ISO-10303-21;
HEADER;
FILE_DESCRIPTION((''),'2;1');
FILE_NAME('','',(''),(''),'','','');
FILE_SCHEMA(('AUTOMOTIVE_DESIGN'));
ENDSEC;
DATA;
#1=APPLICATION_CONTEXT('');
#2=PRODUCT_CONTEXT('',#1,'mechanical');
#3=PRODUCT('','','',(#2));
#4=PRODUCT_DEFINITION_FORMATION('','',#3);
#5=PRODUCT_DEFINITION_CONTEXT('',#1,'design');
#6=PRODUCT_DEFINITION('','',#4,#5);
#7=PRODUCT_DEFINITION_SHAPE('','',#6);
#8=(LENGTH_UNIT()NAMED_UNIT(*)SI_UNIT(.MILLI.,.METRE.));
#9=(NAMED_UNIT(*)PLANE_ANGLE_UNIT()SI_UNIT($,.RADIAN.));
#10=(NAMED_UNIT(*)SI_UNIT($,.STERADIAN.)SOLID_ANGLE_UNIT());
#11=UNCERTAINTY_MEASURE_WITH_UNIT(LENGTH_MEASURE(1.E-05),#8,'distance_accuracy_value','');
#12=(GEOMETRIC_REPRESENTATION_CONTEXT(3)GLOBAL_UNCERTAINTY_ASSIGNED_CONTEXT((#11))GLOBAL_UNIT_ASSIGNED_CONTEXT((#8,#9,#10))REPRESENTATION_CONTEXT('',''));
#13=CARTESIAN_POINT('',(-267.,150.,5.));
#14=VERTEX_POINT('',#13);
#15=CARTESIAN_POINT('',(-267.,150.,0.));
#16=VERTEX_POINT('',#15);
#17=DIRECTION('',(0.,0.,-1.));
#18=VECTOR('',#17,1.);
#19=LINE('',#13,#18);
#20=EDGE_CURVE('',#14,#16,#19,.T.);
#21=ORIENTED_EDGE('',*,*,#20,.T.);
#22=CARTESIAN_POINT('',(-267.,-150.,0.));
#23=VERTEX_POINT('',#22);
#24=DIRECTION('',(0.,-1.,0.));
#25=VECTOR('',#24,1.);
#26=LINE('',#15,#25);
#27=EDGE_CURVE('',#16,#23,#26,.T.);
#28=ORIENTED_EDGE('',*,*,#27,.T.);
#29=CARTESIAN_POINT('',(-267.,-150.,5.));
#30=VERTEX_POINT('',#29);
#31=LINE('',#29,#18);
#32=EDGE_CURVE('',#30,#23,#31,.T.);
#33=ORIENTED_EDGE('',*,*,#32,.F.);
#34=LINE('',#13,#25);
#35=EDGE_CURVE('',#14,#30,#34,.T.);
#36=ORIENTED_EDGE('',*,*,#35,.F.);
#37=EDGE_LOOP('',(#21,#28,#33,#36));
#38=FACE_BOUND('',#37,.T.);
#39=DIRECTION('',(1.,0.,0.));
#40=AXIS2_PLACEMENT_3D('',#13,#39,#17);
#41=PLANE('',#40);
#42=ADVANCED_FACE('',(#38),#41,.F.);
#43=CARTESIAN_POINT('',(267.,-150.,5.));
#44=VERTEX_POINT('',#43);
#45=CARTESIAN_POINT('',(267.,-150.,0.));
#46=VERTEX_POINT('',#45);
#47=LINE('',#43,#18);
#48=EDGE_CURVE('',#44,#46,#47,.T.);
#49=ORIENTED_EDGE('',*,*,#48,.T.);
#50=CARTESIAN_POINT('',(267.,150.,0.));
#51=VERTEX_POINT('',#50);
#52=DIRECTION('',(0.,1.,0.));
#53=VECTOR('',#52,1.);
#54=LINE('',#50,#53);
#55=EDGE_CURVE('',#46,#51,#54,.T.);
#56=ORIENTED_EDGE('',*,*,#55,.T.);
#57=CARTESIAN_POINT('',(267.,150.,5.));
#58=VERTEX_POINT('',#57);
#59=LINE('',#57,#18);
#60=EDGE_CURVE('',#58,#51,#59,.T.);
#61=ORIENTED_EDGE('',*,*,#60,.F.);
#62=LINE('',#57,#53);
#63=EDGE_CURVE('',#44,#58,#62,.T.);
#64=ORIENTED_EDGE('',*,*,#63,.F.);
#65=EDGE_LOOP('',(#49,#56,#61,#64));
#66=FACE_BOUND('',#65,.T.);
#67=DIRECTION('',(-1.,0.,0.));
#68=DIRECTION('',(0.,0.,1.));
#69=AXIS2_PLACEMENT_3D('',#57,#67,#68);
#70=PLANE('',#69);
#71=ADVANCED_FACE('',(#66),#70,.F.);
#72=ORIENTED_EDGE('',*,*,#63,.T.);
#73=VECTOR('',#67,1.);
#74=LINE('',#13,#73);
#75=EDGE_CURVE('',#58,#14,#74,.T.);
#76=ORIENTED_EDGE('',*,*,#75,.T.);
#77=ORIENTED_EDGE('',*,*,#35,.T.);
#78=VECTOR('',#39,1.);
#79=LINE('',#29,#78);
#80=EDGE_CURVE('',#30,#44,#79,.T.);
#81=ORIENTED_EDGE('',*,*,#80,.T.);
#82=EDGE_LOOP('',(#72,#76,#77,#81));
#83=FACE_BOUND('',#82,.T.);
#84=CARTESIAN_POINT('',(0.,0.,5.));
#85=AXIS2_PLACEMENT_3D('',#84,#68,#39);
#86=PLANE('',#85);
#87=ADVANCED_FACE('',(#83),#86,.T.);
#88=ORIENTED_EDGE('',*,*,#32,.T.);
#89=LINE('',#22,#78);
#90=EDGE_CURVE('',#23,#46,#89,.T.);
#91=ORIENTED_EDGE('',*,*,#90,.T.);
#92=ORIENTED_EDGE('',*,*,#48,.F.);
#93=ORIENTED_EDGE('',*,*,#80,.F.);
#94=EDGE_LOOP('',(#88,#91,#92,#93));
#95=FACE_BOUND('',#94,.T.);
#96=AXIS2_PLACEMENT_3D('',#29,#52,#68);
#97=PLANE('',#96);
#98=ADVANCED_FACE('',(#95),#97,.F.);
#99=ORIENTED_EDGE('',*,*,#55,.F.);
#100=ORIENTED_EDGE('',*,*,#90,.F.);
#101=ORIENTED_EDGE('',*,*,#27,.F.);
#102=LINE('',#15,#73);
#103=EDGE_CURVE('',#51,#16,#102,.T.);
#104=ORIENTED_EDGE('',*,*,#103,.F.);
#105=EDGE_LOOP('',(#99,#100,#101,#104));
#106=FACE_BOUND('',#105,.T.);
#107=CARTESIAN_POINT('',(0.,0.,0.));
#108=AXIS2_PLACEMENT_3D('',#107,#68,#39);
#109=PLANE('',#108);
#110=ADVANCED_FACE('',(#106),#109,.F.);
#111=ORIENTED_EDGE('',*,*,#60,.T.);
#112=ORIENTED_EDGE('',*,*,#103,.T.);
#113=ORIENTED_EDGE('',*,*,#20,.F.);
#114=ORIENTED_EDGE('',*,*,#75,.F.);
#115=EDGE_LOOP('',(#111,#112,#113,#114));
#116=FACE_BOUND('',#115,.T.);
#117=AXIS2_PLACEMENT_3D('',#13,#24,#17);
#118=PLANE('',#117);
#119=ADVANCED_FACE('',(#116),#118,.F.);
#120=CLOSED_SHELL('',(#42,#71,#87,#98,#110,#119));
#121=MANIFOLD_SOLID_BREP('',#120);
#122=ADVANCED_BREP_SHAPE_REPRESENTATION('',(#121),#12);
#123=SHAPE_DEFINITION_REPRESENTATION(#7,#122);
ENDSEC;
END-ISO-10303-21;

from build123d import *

# Parameters (mm, degrees)
SKETCH_1_W      = 534
SKETCH_1_H      = 300
EXTRUDE_1_DEPTH = 5


with BuildPart() as part:
    # 草圖1 → 填料-伸長1 (new body)
    with BuildSketch(Plane.XY):
        Rectangle(SKETCH_1_W, SKETCH_1_H)
    extrude(amount=EXTRUDE_1_DEPTH)


solid = part.part
